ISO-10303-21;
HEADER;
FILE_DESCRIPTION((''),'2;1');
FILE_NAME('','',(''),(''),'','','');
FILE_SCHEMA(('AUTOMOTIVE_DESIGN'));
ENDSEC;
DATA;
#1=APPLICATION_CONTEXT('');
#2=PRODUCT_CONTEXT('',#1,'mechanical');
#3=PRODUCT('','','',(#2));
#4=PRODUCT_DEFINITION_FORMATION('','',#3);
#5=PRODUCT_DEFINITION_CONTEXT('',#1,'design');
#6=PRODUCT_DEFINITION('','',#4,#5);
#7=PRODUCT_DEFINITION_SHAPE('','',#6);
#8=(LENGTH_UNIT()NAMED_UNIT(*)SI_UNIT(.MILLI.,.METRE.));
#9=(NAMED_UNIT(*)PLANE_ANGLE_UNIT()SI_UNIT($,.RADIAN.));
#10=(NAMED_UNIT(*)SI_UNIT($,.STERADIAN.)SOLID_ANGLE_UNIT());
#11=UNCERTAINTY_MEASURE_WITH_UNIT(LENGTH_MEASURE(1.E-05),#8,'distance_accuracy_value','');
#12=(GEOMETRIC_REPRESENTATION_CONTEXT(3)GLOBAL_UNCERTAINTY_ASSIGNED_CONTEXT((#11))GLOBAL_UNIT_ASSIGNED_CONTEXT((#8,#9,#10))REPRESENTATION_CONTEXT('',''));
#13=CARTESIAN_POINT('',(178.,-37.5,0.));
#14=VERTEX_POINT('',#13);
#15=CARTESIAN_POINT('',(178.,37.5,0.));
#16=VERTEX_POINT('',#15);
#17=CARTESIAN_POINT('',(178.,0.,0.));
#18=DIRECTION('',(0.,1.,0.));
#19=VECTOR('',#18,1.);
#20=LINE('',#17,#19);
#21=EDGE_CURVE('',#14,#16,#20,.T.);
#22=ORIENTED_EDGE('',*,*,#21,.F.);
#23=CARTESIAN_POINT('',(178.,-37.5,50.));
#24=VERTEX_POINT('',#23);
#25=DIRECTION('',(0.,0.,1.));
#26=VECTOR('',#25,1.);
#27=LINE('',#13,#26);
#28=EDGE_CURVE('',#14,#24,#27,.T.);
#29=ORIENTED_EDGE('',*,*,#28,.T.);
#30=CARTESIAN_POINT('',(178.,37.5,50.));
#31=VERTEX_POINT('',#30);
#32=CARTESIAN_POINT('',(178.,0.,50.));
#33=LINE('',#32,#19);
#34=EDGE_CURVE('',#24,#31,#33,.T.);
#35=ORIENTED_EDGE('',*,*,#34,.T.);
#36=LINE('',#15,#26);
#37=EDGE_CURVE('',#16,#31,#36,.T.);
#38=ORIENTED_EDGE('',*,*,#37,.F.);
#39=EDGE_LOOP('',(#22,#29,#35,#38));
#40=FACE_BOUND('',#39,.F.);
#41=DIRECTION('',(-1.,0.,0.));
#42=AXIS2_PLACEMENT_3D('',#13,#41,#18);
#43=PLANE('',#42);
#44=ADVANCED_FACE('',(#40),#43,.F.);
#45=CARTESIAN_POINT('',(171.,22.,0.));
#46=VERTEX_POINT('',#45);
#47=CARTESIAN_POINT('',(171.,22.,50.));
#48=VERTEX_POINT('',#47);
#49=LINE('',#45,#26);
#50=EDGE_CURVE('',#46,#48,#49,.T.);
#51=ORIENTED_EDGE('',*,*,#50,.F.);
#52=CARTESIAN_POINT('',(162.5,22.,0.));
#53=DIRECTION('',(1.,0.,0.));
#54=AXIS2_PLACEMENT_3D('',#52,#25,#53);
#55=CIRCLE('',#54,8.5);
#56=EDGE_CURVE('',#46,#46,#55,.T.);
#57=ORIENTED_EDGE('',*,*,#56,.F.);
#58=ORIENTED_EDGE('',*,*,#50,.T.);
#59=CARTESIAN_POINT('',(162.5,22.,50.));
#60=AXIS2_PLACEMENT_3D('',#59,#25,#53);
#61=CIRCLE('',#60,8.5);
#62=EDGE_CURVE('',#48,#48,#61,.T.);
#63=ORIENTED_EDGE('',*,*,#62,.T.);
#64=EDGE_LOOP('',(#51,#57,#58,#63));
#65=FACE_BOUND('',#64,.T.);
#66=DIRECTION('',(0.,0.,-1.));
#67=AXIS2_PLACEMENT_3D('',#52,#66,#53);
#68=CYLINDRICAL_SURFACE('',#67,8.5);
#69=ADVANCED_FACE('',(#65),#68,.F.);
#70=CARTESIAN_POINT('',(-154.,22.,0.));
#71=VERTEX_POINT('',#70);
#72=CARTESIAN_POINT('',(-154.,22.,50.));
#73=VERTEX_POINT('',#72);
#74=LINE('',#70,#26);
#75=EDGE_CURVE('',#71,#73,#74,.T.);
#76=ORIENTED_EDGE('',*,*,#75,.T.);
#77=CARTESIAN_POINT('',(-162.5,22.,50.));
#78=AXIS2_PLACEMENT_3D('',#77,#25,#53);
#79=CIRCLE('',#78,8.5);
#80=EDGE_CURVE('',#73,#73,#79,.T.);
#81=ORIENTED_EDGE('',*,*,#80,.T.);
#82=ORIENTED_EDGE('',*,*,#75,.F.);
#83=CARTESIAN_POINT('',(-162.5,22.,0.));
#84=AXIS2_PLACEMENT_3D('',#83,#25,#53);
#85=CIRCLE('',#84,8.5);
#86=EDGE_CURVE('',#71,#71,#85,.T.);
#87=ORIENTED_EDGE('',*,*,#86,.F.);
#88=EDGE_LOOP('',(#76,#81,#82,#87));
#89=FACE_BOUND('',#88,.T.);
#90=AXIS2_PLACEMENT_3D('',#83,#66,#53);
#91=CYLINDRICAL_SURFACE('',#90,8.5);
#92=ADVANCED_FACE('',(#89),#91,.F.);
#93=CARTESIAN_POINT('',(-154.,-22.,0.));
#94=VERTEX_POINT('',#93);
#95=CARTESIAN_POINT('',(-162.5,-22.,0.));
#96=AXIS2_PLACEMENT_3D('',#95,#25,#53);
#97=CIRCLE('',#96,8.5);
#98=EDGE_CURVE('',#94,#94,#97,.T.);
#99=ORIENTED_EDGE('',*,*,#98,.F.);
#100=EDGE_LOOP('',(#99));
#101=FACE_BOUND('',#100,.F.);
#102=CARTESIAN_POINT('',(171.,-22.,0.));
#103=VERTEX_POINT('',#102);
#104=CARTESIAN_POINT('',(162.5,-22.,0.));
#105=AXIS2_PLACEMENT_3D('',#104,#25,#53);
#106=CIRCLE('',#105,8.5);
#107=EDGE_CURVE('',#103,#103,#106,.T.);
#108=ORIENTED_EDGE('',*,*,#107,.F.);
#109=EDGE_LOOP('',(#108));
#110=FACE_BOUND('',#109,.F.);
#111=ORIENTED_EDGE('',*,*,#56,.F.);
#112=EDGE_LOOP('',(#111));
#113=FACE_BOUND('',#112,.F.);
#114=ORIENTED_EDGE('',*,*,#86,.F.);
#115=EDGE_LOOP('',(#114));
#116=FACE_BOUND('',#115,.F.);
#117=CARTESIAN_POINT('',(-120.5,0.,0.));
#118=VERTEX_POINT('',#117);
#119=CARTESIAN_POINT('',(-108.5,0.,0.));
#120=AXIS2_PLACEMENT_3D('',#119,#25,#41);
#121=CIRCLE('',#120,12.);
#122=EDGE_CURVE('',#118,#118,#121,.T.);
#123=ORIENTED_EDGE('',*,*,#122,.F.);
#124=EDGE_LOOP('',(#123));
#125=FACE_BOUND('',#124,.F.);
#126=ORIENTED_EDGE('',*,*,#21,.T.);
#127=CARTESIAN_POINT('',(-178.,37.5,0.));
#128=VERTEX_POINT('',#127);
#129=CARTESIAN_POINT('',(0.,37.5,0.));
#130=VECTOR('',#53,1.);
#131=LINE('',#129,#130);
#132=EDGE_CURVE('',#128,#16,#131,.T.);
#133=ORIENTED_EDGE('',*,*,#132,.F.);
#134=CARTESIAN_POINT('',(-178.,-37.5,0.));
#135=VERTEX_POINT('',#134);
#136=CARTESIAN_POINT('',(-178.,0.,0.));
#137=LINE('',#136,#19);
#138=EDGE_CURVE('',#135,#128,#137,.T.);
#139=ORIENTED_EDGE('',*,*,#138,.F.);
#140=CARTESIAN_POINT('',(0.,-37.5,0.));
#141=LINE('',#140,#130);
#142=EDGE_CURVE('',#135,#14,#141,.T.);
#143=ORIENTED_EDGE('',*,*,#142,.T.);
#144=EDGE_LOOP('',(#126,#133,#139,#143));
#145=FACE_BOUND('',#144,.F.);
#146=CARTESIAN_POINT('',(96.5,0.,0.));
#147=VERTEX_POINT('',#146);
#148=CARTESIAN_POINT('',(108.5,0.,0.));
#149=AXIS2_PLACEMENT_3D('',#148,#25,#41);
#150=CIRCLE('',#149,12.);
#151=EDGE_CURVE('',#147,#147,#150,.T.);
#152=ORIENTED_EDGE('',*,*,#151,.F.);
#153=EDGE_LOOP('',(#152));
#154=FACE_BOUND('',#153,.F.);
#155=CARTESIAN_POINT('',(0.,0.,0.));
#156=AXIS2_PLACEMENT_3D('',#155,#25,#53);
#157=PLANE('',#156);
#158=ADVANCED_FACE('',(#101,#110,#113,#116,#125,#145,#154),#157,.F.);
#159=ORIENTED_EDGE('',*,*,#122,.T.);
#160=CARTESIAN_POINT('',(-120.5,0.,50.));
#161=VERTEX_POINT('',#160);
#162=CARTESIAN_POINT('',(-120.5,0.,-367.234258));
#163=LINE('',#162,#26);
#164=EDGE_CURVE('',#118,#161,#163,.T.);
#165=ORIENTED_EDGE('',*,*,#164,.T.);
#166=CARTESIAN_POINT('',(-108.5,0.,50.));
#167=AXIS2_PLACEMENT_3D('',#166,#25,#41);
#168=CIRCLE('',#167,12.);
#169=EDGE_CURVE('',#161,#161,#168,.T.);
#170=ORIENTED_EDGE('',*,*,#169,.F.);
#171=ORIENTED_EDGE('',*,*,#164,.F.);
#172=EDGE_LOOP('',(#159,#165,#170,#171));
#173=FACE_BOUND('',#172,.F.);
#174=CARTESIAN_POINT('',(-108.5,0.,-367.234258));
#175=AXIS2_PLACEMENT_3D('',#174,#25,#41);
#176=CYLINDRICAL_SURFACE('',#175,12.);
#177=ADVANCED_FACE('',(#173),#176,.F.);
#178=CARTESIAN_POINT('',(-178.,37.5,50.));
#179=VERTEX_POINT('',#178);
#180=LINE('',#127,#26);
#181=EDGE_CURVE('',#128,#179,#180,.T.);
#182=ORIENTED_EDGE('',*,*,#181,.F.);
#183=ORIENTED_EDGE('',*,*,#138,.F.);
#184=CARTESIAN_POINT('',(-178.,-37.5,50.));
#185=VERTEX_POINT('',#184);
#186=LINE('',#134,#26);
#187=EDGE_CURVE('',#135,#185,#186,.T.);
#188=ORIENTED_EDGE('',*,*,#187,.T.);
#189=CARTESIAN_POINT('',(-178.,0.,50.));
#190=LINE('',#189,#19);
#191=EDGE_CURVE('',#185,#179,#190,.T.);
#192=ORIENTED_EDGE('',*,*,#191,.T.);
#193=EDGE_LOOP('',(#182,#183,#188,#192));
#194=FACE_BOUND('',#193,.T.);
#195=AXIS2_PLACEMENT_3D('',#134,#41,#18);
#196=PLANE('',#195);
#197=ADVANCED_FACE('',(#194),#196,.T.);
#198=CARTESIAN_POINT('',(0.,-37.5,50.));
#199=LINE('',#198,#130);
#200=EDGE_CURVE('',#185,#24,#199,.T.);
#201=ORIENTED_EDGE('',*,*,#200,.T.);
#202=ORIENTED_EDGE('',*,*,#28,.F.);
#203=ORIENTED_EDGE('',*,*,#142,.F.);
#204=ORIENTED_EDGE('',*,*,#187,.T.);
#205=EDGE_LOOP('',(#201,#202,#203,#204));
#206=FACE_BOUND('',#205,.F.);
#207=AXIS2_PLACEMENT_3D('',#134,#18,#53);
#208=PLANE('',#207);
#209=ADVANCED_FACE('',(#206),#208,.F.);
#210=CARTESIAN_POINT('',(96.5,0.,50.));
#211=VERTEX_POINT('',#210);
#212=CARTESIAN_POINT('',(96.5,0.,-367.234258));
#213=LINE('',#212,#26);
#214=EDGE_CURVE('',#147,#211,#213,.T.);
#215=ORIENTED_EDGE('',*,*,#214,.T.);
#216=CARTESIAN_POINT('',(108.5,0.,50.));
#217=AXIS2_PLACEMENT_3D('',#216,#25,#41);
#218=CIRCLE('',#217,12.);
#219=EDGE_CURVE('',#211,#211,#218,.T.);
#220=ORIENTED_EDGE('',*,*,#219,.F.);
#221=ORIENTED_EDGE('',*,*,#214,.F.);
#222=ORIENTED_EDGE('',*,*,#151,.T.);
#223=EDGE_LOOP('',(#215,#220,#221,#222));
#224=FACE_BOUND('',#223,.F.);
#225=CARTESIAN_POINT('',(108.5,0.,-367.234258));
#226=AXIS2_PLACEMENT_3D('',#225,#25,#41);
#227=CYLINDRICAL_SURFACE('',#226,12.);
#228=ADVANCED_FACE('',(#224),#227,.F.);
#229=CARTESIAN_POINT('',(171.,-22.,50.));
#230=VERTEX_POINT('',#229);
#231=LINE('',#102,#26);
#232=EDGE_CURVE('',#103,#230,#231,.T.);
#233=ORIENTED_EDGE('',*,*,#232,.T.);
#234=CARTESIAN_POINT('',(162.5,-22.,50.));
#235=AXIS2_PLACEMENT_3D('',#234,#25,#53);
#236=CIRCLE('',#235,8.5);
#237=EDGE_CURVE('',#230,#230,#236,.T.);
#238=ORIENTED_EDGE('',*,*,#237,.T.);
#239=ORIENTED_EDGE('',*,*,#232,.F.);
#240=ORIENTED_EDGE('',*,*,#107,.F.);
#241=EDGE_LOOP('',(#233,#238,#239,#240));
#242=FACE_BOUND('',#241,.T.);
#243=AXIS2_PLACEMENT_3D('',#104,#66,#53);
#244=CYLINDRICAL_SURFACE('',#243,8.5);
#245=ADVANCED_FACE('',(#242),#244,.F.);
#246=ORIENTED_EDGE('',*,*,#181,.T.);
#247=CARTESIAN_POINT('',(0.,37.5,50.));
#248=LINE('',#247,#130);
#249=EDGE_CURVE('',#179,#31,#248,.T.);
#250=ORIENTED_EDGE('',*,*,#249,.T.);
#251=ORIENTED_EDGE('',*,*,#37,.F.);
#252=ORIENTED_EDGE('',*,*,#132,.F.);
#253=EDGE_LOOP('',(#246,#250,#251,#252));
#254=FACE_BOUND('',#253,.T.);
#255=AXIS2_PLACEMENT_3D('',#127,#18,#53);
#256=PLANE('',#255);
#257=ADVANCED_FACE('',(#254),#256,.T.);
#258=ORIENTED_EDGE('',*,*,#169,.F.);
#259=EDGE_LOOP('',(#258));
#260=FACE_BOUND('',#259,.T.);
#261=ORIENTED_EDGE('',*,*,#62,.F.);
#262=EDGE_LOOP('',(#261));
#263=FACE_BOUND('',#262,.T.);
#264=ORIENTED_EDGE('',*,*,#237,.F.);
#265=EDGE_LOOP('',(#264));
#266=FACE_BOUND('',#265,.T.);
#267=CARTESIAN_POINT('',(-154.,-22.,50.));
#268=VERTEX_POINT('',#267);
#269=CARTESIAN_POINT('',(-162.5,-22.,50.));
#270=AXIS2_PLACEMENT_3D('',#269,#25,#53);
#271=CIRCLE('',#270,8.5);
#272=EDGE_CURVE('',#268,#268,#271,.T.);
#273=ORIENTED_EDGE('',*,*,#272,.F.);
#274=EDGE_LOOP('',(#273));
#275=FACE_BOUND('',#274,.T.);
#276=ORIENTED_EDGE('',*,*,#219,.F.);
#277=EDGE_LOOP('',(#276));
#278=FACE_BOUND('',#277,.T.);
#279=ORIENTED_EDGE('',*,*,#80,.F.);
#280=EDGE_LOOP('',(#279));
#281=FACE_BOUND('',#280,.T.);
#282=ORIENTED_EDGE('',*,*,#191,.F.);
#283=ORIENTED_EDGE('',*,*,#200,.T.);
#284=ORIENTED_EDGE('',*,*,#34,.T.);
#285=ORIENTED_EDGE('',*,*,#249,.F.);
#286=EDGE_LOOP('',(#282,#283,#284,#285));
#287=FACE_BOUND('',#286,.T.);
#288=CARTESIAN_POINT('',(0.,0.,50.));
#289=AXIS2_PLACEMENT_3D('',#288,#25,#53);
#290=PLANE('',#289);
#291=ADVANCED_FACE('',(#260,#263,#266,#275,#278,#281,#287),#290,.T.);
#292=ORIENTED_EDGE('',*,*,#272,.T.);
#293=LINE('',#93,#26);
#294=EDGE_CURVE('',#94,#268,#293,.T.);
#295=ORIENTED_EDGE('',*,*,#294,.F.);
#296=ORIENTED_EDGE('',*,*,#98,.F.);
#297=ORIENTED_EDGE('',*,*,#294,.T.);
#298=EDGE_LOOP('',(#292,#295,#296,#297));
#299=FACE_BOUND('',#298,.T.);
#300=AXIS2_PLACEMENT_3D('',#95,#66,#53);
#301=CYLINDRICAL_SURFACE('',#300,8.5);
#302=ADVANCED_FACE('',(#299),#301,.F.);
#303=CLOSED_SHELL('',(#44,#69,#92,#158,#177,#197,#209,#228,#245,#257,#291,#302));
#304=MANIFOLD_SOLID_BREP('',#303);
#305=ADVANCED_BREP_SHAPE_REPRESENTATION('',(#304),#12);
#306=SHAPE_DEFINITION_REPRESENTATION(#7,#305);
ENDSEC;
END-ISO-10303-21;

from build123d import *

# Parameters (mm, degrees)
F0_W     = 356
F0_H     = 75
F0_R     = 8.5
F0_R_2   = 12
F0_R_3   = 13
F0_R_4   = 18
F1_DEPTH = 50
F2_D     = 24


with BuildPart() as f1:
    # F0 (on Top) → F1 (new body)
    with BuildSketch(Plane.XY):
        Rectangle(F0_W, F0_H)
        with Locations((-162.5, -22)):
            Circle(F0_R, mode=Mode.SUBTRACT)
        with Locations((162.5, -22)):
            Circle(F0_R_2, mode=Mode.SUBTRACT)
        with Locations((-108.5, 0)):
            Circle(F0_R_3, mode=Mode.SUBTRACT)
        with Locations((-162.5, 22)):
            Circle(F0_R, mode=Mode.SUBTRACT)
        with Locations((108.5, 0)):
            Circle(F0_R_4, mode=Mode.SUBTRACT)
        with Locations((162.5, 22)):
            Circle(F0_R, mode=Mode.SUBTRACT)
        with Locations((162.5, -22)):
            Circle(F0_R_2)
        with Locations((162.5, -22)):
            Circle(F0_R, mode=Mode.SUBTRACT)
        with Locations((108.5, 0)):
            Circle(F0_R_4)
        with Locations((108.5, 0)):
            Circle(F0_R_3, mode=Mode.SUBTRACT)
        with Locations((-108.5, 0)):
            Circle(F0_R_3)
        with Locations((108.5, 0)):
            Circle(F0_R_3)
    extrude(amount=F1_DEPTH)

    # F2 (through all)
    with Locations(Plane(origin=(0, 0, 0), x_dir=(1, 0, 0), z_dir=(0, 0, -1))):
        with Locations((-108.5, 0), (108.5, 0)):
            Hole(F2_D / 2)


solid = f1.part
